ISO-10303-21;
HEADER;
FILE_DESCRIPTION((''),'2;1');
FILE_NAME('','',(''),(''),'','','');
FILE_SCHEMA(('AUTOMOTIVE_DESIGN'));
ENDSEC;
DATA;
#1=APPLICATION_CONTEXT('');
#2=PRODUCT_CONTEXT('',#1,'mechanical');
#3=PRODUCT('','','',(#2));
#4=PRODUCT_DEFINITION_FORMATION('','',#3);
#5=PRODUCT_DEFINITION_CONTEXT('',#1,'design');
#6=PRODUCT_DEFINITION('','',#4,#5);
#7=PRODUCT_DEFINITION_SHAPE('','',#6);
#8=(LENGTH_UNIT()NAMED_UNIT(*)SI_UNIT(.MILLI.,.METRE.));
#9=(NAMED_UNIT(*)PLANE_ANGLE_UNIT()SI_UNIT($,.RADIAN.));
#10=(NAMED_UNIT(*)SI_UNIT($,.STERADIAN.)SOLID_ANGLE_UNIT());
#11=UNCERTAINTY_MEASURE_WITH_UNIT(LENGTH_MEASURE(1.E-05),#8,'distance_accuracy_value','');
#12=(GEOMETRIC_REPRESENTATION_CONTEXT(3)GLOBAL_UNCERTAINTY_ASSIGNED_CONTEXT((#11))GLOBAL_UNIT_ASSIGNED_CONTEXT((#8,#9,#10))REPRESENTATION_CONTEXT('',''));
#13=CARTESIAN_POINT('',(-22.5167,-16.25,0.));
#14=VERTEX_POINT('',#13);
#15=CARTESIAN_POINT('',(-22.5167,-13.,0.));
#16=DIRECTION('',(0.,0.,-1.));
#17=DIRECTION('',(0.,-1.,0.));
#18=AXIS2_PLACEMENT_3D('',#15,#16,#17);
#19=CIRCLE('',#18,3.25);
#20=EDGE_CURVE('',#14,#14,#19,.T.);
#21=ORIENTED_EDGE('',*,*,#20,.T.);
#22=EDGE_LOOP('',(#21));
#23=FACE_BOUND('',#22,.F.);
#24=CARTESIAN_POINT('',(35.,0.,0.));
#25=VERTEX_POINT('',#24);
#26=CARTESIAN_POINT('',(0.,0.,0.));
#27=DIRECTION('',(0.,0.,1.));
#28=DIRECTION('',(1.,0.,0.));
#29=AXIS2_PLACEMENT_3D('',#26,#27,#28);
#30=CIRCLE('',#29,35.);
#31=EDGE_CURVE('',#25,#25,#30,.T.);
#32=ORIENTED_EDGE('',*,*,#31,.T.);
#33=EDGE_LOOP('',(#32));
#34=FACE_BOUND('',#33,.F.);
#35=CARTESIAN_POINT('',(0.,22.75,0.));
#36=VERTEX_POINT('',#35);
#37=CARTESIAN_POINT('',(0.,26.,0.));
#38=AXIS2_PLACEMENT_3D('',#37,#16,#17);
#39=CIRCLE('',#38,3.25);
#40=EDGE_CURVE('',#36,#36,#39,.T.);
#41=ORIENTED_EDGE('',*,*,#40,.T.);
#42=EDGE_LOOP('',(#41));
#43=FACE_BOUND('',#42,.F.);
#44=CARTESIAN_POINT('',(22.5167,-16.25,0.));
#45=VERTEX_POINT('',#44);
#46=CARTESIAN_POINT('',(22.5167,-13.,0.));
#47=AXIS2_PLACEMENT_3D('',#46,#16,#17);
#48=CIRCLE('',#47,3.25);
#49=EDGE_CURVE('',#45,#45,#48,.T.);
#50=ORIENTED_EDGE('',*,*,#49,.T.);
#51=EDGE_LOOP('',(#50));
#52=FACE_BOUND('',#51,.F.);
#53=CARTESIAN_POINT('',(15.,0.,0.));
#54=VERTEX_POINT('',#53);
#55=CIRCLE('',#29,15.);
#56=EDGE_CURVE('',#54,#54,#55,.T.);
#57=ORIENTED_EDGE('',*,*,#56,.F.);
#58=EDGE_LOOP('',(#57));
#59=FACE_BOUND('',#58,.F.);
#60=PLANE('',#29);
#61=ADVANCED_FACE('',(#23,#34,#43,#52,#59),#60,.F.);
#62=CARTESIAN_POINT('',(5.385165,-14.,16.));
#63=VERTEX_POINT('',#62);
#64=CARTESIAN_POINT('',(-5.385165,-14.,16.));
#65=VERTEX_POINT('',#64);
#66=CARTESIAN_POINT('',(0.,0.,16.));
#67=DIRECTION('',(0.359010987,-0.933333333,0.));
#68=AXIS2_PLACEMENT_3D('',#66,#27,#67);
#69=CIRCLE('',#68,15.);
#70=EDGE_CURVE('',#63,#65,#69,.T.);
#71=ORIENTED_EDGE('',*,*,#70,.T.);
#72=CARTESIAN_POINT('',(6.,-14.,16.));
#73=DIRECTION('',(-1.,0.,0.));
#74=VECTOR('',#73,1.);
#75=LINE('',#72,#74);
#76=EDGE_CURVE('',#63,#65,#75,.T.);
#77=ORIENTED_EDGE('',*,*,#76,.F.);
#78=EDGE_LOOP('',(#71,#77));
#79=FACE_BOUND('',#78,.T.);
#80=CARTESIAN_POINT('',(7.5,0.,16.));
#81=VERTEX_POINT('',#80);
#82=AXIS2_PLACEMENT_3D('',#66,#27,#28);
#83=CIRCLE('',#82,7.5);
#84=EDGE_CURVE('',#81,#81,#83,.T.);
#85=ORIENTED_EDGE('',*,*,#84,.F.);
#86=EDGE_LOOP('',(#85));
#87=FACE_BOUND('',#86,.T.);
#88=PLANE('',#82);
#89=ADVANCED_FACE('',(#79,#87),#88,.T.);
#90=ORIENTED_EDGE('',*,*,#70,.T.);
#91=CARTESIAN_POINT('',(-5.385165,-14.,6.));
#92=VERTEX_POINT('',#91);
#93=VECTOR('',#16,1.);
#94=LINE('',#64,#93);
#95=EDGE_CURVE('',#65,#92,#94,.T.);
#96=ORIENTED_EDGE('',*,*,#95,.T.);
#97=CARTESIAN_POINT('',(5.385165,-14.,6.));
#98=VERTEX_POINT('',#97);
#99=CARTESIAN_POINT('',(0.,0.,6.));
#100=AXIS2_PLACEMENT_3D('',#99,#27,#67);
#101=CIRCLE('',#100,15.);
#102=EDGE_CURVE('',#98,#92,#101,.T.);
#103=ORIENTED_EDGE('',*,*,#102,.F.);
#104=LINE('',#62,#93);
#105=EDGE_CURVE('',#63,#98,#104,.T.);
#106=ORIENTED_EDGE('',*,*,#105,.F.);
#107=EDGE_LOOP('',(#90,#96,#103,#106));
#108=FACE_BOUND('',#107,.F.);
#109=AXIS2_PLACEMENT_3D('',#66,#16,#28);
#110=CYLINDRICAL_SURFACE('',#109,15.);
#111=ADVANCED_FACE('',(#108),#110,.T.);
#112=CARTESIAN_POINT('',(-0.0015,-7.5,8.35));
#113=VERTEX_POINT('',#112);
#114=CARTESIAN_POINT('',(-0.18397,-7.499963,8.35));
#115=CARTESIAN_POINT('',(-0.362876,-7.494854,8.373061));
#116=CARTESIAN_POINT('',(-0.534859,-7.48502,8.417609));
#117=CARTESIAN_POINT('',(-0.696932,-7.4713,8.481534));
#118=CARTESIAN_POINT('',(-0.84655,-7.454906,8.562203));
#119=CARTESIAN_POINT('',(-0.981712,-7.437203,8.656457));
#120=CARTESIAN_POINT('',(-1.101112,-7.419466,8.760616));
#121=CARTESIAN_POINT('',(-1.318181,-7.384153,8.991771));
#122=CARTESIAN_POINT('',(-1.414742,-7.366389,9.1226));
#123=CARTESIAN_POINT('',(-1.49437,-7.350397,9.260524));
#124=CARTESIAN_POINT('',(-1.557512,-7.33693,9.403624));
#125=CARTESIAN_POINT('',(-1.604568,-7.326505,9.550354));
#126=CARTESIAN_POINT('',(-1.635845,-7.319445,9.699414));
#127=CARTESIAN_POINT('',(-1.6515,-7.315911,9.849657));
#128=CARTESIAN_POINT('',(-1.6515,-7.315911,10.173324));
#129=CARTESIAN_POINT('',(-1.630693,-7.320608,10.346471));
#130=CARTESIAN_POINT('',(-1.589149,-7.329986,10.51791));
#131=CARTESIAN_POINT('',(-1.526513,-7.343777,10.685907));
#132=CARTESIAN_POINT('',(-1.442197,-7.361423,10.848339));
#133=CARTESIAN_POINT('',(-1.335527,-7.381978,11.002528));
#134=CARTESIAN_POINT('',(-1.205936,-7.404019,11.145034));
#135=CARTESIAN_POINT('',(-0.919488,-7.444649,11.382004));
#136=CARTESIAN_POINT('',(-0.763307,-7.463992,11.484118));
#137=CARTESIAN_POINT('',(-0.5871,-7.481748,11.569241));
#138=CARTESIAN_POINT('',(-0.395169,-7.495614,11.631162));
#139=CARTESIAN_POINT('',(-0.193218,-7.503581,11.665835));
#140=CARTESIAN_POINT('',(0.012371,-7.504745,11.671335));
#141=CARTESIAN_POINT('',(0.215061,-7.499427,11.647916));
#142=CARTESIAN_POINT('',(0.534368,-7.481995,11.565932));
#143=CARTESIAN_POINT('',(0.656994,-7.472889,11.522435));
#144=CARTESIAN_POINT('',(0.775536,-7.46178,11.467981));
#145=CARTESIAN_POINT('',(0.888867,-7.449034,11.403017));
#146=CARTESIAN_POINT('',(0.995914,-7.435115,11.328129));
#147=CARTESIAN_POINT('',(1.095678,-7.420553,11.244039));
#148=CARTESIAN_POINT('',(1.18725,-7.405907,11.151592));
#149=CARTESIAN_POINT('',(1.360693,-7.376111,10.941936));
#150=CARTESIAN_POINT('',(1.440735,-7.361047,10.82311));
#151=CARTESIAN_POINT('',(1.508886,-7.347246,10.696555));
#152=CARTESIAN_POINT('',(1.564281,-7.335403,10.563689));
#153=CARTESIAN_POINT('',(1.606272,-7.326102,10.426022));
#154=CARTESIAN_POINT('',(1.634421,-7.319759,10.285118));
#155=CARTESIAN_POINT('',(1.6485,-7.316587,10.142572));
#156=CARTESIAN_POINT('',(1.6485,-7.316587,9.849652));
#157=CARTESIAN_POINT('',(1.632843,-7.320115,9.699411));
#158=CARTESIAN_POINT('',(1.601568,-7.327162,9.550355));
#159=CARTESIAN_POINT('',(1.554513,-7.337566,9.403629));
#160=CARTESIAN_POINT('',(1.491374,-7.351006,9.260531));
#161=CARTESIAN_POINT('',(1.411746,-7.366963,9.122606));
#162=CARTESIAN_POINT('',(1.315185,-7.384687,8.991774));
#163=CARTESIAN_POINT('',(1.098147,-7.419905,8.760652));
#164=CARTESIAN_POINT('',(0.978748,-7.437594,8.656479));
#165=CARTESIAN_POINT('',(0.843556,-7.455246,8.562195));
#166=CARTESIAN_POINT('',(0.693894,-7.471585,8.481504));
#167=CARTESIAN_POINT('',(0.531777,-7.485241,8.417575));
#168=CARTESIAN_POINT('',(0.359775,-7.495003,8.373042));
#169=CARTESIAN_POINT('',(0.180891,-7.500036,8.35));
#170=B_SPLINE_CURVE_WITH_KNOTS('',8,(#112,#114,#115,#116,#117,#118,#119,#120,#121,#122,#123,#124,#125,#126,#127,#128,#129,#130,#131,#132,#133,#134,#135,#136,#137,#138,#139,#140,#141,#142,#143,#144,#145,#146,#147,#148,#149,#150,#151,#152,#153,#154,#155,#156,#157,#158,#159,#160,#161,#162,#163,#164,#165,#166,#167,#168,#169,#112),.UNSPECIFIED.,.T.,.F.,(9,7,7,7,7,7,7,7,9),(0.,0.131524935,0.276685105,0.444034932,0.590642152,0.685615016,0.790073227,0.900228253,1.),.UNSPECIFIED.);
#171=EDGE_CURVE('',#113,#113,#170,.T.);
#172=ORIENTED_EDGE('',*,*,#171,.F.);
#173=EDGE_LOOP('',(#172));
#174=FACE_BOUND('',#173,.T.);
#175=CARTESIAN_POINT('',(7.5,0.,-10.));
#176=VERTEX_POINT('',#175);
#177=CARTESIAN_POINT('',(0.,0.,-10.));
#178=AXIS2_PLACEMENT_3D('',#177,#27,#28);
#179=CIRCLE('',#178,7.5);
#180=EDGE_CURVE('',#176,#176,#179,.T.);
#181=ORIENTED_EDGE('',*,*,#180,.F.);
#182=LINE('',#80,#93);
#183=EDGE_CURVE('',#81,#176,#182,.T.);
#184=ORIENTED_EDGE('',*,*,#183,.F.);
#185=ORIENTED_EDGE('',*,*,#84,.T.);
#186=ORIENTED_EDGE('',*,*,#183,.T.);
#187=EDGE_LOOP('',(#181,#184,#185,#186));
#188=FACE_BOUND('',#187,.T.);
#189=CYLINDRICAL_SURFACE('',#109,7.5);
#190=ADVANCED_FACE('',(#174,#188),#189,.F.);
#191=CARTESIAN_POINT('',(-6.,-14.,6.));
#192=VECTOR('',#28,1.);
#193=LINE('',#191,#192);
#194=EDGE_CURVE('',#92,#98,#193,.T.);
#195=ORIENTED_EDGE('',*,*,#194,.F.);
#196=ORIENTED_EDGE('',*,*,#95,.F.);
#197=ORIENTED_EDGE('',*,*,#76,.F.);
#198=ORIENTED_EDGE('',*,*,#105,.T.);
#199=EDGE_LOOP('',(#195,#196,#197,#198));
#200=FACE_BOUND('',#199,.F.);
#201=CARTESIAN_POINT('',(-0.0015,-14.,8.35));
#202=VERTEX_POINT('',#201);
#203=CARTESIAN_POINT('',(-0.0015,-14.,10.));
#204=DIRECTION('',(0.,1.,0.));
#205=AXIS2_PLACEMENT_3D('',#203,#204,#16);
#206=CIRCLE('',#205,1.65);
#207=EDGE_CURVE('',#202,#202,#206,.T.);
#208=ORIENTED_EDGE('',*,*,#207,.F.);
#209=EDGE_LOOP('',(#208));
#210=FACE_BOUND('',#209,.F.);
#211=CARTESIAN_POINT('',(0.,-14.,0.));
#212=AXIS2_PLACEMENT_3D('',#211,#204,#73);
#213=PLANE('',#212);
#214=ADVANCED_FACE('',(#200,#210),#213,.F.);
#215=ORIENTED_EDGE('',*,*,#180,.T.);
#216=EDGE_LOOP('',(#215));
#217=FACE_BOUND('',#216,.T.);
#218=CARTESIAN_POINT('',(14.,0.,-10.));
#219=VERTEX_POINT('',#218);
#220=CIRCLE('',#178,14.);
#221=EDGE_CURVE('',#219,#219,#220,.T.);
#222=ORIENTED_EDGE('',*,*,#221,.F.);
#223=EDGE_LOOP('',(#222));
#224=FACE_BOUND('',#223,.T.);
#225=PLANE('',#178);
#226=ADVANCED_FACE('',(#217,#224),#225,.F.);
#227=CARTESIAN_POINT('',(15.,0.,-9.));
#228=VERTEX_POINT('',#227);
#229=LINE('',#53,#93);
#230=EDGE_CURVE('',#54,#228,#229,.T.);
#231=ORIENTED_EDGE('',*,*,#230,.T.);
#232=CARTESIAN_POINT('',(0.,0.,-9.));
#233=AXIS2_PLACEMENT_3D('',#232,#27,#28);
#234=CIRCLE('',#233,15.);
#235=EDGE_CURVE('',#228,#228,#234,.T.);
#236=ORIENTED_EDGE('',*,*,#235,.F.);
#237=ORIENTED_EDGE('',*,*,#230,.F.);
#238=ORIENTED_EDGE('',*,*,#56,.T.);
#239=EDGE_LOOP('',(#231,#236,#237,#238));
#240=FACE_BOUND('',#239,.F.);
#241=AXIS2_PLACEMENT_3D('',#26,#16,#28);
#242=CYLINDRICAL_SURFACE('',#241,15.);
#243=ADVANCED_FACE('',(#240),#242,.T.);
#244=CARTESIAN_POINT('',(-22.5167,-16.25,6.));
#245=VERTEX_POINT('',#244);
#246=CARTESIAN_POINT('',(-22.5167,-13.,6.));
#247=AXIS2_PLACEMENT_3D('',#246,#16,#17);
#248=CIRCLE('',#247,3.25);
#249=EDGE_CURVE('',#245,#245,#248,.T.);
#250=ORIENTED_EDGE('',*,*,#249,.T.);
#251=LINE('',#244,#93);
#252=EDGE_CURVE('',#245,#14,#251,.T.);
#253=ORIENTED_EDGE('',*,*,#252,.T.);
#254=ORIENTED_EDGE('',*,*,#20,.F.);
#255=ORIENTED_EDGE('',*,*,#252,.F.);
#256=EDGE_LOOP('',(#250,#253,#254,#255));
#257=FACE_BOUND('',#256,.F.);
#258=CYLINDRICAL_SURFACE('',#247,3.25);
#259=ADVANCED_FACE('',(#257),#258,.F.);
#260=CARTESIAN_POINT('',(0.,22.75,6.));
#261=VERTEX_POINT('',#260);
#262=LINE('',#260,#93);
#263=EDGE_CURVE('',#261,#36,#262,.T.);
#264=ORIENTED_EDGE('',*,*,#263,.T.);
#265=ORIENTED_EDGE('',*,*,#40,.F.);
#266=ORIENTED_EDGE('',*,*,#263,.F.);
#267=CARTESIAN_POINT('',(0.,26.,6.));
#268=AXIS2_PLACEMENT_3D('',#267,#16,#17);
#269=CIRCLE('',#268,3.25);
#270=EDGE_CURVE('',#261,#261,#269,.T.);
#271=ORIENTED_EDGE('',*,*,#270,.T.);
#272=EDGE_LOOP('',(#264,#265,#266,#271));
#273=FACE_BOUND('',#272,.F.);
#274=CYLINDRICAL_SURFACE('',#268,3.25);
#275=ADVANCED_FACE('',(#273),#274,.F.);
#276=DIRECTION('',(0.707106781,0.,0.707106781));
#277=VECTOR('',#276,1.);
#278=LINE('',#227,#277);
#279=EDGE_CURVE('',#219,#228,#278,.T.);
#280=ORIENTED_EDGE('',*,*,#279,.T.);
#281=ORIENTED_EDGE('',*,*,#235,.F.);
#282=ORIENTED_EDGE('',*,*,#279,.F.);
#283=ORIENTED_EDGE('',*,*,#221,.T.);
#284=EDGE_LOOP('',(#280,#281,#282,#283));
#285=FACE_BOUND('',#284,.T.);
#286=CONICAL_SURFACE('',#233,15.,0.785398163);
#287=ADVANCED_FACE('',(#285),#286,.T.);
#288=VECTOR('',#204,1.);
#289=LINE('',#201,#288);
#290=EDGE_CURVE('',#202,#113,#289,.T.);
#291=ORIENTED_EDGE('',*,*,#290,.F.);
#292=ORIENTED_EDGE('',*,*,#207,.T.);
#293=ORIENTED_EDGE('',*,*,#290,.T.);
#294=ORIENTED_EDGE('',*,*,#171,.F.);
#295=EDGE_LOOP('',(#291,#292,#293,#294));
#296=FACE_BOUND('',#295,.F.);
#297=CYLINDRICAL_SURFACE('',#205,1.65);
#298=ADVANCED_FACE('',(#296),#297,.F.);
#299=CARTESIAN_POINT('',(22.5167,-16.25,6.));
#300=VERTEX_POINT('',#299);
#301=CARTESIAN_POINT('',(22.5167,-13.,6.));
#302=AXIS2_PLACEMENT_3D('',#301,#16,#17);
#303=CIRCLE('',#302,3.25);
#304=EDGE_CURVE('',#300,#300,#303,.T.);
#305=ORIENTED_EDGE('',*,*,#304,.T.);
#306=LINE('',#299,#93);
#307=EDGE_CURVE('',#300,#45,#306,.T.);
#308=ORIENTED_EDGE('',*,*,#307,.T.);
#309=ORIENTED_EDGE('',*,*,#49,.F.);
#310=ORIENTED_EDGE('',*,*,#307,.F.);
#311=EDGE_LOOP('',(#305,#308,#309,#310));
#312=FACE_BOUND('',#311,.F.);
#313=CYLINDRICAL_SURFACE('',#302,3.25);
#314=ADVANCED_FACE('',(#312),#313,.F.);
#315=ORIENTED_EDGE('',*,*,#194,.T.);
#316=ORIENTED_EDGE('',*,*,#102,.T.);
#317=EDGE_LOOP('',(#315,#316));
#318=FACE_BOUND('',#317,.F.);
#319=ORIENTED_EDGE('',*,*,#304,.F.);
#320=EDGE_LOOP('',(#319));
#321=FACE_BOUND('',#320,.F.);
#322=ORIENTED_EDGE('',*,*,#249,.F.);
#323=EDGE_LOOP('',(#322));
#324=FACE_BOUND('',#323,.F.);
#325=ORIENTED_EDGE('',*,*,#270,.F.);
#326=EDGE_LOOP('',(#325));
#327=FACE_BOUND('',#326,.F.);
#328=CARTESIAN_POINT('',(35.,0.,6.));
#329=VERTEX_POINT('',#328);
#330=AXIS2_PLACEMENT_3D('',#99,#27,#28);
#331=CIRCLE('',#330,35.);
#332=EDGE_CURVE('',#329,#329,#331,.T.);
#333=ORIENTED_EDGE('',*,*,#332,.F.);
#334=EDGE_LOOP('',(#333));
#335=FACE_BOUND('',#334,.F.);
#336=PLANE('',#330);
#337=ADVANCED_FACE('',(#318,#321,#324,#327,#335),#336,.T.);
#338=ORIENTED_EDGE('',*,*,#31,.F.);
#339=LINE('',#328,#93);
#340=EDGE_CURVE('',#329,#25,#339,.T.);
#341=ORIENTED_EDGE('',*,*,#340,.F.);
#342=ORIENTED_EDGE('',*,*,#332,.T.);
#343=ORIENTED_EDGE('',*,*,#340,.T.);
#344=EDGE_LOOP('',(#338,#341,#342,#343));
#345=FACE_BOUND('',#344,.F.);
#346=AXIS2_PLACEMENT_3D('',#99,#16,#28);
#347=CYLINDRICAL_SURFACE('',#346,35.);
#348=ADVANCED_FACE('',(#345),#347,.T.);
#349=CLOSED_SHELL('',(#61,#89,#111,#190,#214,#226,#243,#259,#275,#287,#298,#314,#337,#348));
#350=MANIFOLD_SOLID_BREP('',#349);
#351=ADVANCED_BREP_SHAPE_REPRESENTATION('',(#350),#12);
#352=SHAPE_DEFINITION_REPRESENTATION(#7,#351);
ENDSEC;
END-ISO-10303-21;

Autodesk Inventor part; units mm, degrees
ref_plane "YZ Plane" through (0, 0, 0) normal (1, 0, 0) x (0, 1, 0)
ref_plane "XY Plane" through (0, 0, 0) normal (0, 0, 1) x (1, 0, 0)
sketch "Skizze1" plane through (0, 0, 0) normal (0, 1, 0) x (-1, 0, 0)
  line L0 (-15, 16) -> (-7.5, 16)
  line L1 (-7.5, 16) -> (-7.5, -10)
  line L2 (-15, 16) -> (-15, 6)
  line L3 (-15, 6) -> (-35, 6)
  line L4 (-35, 6) -> (-35, 0)
  line L5 (-35, 0) -> (-15, 0)
  line L6 (-15, 0) -> (-15, -10)
  line L7 (0, -15.2) -> (0, 21.2) projected
  line L8 (-7.5, -10) -> (-15, -10)
  point P0 (0, 0)
  dimension "d0" = 30
  dimension "d1" = 15
  dimension "d2" = 70
  dimension "d3" = 6
  dimension "d4" = 10
  dimension "d5" = 10
revolve "Umdrehung1" add sketch "Skizze1" angle 360 about axis through (0, 0, -10) along (0, 0, 1)
ref_plane "Arbeitsebene1" through (0, -16, 0) normal (0, 1, 0) x (-1, 0, 0)
sketch "Skizze2" plane through (0, -16, 0) normal (0, 1, 0) x (-1, 0, 0)
  line L0 (15, 16) -> (-15, 16) projected
  line L1 (15, 6) -> (-15, 6) projected
  line L2 (6, 16) -> (-6, 16)
  line L3 (-6, 16) -> (-6, 6)
  line L4 (-6, 6) -> (6, 6)
  line L5 (6, 6) -> (6, 16)
  line L6 (0, -2.8) -> (0, 16.8) projected
  point P0 (0, 0)
  dimension "d8" = 12
extrude "Extrusion1" cut sketch "Skizze2" along normal blind 2
sketch "Skizze4" plane through (0, -14, 0) normal (0, -1, 0) x (1, 0, 0)
  line L0 (-5.3852, 16) -> (5.3852, 16) projected
  point P0 (0, 0)
  point P1 (-0.0015, 10)
  dimension "d18" = 6
hole "Bohrung2" at (-0.0015, -14, 10) direction (0, 1, 0) diameter 3.3 depth 10 tip angle 118
thread "Gewinde1" size "M4x0.7" class "6H" standard "ANSI Metric M Profile" full length
sketch "Skizze6" plane through (0, 0, 6) normal (0, 0, 1) x (1, 0, 0)
  circle A0 centre (0, 0) radius 35 projected
  point P0 (0, 26)
  point P1 (-22.5167, -13)
  point P2 (22.5167, -13)
  dimension "d40" = 26
  dimension "d41" = 0
  dimension "d44" = 360
hole "Bohrung4" at (0, 26, 6) at (-22.5167, -13, 6) at (22.5167, -13, 6) direction (0, 0, -1) diameter 6.5 depth 35 tip angle 118
chamfer "Fase1" distance 1 angle 45 1 edges at (-15, 0, -10)
properties part number "Matrizenhalterung_unten" material "Stahl"
